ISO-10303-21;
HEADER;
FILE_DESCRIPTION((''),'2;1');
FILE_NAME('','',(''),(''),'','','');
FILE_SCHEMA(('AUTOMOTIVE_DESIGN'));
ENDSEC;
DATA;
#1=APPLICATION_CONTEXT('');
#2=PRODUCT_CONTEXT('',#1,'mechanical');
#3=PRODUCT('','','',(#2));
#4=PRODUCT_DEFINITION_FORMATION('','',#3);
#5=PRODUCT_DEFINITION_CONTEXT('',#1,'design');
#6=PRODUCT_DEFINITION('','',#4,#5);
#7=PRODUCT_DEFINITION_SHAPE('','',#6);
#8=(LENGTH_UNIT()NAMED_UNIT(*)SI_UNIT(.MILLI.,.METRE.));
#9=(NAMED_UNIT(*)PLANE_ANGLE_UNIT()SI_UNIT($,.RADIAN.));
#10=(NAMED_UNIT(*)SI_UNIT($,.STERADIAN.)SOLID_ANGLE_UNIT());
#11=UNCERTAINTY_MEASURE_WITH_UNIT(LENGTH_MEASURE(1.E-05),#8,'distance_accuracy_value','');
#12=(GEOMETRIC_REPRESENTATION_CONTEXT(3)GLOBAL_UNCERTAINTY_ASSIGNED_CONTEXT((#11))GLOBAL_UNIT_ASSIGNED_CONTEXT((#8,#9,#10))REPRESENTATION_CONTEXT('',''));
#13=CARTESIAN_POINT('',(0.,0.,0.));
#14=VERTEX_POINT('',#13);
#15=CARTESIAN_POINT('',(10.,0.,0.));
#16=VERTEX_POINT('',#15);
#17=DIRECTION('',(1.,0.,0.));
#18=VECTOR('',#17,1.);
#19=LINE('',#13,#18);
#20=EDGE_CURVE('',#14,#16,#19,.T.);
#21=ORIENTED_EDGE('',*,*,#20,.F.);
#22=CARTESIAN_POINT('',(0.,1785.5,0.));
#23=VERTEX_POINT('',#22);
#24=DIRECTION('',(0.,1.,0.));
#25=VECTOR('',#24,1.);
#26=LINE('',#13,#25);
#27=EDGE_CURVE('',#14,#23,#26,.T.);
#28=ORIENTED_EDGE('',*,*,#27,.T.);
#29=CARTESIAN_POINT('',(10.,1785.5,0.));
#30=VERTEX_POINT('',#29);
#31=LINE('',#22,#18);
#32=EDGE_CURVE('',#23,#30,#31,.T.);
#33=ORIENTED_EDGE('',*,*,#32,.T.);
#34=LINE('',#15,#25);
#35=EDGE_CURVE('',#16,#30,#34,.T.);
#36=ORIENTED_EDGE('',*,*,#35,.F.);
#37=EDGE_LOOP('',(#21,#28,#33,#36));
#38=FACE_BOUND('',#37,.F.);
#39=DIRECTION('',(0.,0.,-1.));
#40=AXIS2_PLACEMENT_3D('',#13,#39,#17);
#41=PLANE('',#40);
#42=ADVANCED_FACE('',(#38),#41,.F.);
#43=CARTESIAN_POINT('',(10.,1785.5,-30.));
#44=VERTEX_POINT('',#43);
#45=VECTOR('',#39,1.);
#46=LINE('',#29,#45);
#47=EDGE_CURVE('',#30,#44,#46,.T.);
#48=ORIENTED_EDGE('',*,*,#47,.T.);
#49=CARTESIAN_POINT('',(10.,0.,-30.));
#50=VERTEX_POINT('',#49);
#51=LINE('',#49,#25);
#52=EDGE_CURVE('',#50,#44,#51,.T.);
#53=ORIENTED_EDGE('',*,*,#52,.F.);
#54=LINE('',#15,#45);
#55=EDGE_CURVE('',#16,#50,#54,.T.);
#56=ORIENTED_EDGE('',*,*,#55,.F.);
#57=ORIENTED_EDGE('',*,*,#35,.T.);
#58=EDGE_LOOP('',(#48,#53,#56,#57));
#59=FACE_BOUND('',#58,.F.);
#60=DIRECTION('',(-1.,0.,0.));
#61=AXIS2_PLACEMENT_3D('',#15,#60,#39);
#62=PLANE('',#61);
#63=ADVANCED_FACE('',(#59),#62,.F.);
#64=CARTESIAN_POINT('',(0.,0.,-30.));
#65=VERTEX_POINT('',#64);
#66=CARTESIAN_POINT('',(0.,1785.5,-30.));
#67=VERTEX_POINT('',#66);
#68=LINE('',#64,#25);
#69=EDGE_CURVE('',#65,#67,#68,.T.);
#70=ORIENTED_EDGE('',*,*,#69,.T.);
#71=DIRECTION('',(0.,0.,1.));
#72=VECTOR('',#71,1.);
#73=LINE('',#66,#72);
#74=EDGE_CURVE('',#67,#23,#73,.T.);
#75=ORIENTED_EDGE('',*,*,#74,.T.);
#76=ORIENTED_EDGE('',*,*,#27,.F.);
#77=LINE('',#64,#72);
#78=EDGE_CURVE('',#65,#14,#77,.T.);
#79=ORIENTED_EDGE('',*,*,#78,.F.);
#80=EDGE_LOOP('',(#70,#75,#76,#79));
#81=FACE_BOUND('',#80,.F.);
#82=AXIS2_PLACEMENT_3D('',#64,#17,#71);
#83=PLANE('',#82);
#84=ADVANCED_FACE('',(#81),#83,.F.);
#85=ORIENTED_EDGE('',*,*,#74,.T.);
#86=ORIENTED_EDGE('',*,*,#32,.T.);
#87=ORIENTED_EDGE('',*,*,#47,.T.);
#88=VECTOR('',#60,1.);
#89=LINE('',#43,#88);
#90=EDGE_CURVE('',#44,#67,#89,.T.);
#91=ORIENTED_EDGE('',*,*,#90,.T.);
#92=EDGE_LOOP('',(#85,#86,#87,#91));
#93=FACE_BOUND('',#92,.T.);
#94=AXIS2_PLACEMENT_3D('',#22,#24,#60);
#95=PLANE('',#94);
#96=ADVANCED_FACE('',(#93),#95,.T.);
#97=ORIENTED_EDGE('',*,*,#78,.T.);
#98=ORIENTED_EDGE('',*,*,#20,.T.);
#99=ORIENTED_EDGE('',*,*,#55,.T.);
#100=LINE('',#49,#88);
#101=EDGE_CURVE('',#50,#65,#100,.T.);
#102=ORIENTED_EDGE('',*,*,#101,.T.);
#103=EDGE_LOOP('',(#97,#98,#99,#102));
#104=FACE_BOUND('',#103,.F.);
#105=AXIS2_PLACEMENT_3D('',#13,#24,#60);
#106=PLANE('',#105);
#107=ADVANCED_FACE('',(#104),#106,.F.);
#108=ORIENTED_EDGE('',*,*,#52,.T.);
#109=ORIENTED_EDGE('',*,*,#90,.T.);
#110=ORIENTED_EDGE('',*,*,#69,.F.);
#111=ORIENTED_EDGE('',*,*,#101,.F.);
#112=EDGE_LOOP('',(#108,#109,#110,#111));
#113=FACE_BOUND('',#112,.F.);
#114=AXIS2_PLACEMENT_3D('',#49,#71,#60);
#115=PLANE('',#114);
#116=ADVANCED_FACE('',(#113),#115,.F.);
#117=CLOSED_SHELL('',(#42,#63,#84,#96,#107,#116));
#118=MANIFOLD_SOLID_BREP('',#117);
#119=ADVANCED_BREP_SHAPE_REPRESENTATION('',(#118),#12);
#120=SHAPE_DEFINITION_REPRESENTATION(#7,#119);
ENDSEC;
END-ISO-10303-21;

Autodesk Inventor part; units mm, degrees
ref_plane "YZ Plane" through (0, 0, 0) normal (1, 0, 0) x (0, 1, 0)
ref_plane "XZ Plane" through (0, 0, 0) normal (0, 1, 0) x (-1, 0, 0)
ref_plane "XY Plane" through (0, 0, 0) normal (0, 0, 1) x (1, 0, 0)
sketch "Sketch1" plane through (0, 0, 0) normal (0, 1, 0) x (-1, 0, 0)
  line L0 (0, 0) -> (-10, 0)
  line L1 (-10, 0) -> (-10, -30)
  line L2 (-10, -30) -> (0, -30)
  line L3 (0, -30) -> (0, 0)
  dimension "d0" = 10
  dimension "d1" = 30
extrude "Extrusion1" add sketch "Sketch1" along normal blind 1785.5
properties part number "wood spar"
